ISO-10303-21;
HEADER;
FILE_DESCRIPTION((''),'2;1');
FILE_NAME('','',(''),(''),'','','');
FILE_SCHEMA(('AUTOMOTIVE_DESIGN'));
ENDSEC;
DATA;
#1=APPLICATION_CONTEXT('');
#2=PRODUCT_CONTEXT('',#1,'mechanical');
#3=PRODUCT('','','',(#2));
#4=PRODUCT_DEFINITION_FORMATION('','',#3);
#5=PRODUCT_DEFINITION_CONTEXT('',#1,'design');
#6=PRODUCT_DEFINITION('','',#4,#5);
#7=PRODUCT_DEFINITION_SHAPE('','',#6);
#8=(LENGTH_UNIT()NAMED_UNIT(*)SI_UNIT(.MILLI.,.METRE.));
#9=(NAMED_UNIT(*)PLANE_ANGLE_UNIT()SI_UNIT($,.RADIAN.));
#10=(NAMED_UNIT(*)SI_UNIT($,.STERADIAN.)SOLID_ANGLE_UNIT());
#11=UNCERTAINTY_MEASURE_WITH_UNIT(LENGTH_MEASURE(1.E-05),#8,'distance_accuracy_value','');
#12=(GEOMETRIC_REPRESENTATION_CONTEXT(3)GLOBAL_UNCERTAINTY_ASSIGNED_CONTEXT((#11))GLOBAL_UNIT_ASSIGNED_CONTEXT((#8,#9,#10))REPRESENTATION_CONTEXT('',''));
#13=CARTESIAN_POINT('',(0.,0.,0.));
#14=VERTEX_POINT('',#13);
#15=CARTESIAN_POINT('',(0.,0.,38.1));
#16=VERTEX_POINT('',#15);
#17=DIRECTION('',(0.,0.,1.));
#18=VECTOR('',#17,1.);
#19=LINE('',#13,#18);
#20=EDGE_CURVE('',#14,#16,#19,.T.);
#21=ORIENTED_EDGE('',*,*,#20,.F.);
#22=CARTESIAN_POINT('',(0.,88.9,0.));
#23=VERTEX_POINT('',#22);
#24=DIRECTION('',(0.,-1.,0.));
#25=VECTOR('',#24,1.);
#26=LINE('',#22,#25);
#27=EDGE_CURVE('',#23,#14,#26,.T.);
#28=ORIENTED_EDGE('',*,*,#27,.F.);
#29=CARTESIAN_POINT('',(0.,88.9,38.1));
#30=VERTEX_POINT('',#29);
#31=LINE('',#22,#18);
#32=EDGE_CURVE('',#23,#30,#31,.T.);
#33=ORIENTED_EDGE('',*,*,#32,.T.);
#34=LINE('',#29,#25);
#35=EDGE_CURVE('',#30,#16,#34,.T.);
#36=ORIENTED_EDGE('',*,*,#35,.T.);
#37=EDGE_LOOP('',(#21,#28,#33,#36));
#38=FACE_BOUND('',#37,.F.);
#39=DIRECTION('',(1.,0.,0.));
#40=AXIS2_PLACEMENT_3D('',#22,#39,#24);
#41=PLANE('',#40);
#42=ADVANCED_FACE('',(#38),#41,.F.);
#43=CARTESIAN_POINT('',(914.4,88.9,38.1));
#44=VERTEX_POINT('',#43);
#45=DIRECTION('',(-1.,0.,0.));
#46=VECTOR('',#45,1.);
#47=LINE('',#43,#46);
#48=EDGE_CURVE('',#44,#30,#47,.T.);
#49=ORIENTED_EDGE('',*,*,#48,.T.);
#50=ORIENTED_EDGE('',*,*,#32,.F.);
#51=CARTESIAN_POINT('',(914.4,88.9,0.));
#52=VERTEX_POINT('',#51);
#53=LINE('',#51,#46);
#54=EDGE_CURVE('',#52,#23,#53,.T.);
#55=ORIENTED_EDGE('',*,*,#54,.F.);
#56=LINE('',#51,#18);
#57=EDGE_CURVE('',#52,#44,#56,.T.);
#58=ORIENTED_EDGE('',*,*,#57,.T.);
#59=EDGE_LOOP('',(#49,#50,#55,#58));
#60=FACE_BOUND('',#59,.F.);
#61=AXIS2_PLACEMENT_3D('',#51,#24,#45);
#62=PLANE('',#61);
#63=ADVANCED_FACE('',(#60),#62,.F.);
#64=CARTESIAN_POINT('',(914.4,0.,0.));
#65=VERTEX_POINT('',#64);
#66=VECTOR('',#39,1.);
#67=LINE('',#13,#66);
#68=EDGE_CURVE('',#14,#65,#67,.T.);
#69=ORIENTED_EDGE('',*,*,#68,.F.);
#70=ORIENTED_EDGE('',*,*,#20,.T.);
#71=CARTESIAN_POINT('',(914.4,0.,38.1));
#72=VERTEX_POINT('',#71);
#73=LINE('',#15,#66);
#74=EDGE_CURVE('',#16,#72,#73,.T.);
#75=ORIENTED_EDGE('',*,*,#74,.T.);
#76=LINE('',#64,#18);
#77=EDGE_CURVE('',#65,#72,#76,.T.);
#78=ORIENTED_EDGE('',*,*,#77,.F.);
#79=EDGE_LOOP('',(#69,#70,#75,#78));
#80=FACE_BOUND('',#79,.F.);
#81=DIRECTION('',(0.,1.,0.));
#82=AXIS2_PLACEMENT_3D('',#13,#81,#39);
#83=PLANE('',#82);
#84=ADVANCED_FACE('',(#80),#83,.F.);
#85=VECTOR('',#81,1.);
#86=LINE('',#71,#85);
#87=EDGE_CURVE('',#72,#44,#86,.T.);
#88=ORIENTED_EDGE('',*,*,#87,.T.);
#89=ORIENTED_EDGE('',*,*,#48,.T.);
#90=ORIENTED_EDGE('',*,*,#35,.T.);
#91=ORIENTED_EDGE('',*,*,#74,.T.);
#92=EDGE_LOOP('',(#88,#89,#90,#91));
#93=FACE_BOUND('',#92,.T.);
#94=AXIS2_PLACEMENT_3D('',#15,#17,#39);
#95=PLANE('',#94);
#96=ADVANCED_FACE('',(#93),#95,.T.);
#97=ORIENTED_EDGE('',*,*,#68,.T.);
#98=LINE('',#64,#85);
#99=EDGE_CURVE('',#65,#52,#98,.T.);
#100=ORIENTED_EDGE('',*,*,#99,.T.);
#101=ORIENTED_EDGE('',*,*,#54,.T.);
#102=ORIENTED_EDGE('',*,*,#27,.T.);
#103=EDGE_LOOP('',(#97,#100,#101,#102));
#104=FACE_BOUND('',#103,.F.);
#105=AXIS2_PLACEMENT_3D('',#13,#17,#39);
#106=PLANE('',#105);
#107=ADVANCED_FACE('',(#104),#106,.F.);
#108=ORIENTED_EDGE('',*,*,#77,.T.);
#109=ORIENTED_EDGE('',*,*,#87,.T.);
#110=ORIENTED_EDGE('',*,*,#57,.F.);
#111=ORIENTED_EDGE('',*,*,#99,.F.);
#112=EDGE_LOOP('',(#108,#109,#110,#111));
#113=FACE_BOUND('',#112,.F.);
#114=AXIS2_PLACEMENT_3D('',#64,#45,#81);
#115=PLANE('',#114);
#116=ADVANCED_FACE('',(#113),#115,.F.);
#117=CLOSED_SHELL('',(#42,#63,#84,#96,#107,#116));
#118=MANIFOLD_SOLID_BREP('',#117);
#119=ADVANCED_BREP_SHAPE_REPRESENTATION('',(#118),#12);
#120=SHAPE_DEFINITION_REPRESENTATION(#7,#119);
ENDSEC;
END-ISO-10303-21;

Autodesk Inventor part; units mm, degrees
ref_plane "YZ Plane" through (0, 0, 0) normal (1, 0, 0) x (0, 1, 0)
ref_plane "XZ Plane" through (0, 0, 0) normal (0, 1, 0) x (-1, 0, 0)
ref_plane "XY Plane" through (0, 0, 0) normal (0, 0, 1) x (1, 0, 0)
sketch "Sketch1" plane through (0, 0, 0) normal (0, 0, 1) x (1, 0, 0)
  line L0 (0, 0) -> (914.4, 0)
  line L1 (914.4, 0) -> (914.4, 88.9)
  line L2 (914.4, 88.9) -> (0, 88.9)
  line L3 (0, 88.9) -> (0, 0)
  dimension "d0" = 914.4
  dimension "d1" = 88.9
extrude "Extrusion1" add sketch "Sketch1" along normal blind 38.1
properties part number "base long wall h bar"
